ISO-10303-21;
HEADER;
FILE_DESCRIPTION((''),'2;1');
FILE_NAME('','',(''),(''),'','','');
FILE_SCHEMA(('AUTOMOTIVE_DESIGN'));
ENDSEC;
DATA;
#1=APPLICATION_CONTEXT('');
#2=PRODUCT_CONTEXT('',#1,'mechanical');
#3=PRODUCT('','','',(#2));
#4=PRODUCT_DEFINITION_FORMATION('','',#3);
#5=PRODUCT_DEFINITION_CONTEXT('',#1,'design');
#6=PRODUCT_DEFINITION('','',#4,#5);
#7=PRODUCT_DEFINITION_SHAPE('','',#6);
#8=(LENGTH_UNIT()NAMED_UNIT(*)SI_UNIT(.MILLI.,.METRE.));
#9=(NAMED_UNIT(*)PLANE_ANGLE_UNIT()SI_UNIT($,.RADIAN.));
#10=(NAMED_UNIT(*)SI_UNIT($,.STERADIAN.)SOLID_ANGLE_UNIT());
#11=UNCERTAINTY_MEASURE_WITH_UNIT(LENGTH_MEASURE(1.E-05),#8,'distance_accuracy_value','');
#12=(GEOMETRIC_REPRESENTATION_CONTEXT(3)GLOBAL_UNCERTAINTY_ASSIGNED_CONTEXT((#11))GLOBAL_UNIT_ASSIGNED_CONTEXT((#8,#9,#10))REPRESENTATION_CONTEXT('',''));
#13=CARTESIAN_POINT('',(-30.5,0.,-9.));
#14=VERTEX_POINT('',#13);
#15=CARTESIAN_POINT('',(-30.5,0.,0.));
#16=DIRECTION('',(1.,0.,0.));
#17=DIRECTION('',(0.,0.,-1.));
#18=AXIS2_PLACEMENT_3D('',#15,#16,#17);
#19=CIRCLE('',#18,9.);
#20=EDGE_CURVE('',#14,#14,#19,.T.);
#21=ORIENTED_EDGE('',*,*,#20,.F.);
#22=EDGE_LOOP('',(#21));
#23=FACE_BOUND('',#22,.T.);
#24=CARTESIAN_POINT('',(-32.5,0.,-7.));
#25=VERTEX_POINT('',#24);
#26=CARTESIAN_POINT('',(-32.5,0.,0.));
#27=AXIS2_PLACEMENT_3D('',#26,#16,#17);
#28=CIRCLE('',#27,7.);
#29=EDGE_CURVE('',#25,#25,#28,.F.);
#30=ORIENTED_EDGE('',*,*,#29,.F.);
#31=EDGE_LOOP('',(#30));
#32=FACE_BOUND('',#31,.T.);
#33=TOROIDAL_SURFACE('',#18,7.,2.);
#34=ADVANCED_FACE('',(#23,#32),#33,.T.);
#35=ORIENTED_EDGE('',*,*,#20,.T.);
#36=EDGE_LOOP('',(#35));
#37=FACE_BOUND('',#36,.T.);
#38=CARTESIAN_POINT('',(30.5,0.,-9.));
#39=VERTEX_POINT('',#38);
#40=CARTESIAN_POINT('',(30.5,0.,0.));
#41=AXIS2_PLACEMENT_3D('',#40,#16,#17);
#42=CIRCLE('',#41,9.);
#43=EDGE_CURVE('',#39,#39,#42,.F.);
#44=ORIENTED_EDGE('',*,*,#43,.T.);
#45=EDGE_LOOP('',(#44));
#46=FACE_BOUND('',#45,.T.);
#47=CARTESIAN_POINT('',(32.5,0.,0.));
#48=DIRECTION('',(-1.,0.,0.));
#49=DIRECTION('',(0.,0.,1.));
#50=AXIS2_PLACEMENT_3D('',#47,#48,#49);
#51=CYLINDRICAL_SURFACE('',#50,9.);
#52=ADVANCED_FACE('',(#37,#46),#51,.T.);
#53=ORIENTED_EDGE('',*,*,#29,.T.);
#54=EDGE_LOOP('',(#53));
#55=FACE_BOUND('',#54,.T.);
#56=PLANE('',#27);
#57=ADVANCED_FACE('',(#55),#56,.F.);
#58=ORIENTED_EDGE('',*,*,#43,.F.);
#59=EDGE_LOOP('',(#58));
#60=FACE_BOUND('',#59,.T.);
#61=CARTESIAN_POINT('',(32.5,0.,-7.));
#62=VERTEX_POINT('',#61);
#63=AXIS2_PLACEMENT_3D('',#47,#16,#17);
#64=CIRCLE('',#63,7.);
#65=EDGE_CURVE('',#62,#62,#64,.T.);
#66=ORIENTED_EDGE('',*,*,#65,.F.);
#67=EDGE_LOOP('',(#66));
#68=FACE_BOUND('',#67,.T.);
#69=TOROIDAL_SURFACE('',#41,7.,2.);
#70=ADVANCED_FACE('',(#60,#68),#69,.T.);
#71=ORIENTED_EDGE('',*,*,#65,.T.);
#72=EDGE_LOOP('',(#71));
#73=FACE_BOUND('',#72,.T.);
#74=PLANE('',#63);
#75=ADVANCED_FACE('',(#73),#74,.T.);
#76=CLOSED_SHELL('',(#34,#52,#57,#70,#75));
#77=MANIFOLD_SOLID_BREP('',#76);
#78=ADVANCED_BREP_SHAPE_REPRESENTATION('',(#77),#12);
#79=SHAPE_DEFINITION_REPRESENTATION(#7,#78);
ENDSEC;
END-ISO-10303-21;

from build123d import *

# Parameters (mm, degrees)
SKETCH1_R           = 9
BOSS_EXTRUDE1_DEPTH = 32.5
FILLET1_R           = 2


with BuildPart() as part:
    # Sketch1 → Boss-Extrude1 (new body, symmetric)
    with BuildSketch(Plane(origin=(0, 0, 0), x_dir=(0, 0, -1), z_dir=(1, 0, 0))):
        Circle(SKETCH1_R)
    extrude(amount=BOSS_EXTRUDE1_DEPTH, both=True)

    # Fillet1
    fillet1_edges = [part.edges().sort_by_distance(p)[0] for p in [
        (-32.5, 0, 9),
        (32.5, 0, 9),
    ]]
    fillet(fillet1_edges, radius=FILLET1_R)


solid = part.part
